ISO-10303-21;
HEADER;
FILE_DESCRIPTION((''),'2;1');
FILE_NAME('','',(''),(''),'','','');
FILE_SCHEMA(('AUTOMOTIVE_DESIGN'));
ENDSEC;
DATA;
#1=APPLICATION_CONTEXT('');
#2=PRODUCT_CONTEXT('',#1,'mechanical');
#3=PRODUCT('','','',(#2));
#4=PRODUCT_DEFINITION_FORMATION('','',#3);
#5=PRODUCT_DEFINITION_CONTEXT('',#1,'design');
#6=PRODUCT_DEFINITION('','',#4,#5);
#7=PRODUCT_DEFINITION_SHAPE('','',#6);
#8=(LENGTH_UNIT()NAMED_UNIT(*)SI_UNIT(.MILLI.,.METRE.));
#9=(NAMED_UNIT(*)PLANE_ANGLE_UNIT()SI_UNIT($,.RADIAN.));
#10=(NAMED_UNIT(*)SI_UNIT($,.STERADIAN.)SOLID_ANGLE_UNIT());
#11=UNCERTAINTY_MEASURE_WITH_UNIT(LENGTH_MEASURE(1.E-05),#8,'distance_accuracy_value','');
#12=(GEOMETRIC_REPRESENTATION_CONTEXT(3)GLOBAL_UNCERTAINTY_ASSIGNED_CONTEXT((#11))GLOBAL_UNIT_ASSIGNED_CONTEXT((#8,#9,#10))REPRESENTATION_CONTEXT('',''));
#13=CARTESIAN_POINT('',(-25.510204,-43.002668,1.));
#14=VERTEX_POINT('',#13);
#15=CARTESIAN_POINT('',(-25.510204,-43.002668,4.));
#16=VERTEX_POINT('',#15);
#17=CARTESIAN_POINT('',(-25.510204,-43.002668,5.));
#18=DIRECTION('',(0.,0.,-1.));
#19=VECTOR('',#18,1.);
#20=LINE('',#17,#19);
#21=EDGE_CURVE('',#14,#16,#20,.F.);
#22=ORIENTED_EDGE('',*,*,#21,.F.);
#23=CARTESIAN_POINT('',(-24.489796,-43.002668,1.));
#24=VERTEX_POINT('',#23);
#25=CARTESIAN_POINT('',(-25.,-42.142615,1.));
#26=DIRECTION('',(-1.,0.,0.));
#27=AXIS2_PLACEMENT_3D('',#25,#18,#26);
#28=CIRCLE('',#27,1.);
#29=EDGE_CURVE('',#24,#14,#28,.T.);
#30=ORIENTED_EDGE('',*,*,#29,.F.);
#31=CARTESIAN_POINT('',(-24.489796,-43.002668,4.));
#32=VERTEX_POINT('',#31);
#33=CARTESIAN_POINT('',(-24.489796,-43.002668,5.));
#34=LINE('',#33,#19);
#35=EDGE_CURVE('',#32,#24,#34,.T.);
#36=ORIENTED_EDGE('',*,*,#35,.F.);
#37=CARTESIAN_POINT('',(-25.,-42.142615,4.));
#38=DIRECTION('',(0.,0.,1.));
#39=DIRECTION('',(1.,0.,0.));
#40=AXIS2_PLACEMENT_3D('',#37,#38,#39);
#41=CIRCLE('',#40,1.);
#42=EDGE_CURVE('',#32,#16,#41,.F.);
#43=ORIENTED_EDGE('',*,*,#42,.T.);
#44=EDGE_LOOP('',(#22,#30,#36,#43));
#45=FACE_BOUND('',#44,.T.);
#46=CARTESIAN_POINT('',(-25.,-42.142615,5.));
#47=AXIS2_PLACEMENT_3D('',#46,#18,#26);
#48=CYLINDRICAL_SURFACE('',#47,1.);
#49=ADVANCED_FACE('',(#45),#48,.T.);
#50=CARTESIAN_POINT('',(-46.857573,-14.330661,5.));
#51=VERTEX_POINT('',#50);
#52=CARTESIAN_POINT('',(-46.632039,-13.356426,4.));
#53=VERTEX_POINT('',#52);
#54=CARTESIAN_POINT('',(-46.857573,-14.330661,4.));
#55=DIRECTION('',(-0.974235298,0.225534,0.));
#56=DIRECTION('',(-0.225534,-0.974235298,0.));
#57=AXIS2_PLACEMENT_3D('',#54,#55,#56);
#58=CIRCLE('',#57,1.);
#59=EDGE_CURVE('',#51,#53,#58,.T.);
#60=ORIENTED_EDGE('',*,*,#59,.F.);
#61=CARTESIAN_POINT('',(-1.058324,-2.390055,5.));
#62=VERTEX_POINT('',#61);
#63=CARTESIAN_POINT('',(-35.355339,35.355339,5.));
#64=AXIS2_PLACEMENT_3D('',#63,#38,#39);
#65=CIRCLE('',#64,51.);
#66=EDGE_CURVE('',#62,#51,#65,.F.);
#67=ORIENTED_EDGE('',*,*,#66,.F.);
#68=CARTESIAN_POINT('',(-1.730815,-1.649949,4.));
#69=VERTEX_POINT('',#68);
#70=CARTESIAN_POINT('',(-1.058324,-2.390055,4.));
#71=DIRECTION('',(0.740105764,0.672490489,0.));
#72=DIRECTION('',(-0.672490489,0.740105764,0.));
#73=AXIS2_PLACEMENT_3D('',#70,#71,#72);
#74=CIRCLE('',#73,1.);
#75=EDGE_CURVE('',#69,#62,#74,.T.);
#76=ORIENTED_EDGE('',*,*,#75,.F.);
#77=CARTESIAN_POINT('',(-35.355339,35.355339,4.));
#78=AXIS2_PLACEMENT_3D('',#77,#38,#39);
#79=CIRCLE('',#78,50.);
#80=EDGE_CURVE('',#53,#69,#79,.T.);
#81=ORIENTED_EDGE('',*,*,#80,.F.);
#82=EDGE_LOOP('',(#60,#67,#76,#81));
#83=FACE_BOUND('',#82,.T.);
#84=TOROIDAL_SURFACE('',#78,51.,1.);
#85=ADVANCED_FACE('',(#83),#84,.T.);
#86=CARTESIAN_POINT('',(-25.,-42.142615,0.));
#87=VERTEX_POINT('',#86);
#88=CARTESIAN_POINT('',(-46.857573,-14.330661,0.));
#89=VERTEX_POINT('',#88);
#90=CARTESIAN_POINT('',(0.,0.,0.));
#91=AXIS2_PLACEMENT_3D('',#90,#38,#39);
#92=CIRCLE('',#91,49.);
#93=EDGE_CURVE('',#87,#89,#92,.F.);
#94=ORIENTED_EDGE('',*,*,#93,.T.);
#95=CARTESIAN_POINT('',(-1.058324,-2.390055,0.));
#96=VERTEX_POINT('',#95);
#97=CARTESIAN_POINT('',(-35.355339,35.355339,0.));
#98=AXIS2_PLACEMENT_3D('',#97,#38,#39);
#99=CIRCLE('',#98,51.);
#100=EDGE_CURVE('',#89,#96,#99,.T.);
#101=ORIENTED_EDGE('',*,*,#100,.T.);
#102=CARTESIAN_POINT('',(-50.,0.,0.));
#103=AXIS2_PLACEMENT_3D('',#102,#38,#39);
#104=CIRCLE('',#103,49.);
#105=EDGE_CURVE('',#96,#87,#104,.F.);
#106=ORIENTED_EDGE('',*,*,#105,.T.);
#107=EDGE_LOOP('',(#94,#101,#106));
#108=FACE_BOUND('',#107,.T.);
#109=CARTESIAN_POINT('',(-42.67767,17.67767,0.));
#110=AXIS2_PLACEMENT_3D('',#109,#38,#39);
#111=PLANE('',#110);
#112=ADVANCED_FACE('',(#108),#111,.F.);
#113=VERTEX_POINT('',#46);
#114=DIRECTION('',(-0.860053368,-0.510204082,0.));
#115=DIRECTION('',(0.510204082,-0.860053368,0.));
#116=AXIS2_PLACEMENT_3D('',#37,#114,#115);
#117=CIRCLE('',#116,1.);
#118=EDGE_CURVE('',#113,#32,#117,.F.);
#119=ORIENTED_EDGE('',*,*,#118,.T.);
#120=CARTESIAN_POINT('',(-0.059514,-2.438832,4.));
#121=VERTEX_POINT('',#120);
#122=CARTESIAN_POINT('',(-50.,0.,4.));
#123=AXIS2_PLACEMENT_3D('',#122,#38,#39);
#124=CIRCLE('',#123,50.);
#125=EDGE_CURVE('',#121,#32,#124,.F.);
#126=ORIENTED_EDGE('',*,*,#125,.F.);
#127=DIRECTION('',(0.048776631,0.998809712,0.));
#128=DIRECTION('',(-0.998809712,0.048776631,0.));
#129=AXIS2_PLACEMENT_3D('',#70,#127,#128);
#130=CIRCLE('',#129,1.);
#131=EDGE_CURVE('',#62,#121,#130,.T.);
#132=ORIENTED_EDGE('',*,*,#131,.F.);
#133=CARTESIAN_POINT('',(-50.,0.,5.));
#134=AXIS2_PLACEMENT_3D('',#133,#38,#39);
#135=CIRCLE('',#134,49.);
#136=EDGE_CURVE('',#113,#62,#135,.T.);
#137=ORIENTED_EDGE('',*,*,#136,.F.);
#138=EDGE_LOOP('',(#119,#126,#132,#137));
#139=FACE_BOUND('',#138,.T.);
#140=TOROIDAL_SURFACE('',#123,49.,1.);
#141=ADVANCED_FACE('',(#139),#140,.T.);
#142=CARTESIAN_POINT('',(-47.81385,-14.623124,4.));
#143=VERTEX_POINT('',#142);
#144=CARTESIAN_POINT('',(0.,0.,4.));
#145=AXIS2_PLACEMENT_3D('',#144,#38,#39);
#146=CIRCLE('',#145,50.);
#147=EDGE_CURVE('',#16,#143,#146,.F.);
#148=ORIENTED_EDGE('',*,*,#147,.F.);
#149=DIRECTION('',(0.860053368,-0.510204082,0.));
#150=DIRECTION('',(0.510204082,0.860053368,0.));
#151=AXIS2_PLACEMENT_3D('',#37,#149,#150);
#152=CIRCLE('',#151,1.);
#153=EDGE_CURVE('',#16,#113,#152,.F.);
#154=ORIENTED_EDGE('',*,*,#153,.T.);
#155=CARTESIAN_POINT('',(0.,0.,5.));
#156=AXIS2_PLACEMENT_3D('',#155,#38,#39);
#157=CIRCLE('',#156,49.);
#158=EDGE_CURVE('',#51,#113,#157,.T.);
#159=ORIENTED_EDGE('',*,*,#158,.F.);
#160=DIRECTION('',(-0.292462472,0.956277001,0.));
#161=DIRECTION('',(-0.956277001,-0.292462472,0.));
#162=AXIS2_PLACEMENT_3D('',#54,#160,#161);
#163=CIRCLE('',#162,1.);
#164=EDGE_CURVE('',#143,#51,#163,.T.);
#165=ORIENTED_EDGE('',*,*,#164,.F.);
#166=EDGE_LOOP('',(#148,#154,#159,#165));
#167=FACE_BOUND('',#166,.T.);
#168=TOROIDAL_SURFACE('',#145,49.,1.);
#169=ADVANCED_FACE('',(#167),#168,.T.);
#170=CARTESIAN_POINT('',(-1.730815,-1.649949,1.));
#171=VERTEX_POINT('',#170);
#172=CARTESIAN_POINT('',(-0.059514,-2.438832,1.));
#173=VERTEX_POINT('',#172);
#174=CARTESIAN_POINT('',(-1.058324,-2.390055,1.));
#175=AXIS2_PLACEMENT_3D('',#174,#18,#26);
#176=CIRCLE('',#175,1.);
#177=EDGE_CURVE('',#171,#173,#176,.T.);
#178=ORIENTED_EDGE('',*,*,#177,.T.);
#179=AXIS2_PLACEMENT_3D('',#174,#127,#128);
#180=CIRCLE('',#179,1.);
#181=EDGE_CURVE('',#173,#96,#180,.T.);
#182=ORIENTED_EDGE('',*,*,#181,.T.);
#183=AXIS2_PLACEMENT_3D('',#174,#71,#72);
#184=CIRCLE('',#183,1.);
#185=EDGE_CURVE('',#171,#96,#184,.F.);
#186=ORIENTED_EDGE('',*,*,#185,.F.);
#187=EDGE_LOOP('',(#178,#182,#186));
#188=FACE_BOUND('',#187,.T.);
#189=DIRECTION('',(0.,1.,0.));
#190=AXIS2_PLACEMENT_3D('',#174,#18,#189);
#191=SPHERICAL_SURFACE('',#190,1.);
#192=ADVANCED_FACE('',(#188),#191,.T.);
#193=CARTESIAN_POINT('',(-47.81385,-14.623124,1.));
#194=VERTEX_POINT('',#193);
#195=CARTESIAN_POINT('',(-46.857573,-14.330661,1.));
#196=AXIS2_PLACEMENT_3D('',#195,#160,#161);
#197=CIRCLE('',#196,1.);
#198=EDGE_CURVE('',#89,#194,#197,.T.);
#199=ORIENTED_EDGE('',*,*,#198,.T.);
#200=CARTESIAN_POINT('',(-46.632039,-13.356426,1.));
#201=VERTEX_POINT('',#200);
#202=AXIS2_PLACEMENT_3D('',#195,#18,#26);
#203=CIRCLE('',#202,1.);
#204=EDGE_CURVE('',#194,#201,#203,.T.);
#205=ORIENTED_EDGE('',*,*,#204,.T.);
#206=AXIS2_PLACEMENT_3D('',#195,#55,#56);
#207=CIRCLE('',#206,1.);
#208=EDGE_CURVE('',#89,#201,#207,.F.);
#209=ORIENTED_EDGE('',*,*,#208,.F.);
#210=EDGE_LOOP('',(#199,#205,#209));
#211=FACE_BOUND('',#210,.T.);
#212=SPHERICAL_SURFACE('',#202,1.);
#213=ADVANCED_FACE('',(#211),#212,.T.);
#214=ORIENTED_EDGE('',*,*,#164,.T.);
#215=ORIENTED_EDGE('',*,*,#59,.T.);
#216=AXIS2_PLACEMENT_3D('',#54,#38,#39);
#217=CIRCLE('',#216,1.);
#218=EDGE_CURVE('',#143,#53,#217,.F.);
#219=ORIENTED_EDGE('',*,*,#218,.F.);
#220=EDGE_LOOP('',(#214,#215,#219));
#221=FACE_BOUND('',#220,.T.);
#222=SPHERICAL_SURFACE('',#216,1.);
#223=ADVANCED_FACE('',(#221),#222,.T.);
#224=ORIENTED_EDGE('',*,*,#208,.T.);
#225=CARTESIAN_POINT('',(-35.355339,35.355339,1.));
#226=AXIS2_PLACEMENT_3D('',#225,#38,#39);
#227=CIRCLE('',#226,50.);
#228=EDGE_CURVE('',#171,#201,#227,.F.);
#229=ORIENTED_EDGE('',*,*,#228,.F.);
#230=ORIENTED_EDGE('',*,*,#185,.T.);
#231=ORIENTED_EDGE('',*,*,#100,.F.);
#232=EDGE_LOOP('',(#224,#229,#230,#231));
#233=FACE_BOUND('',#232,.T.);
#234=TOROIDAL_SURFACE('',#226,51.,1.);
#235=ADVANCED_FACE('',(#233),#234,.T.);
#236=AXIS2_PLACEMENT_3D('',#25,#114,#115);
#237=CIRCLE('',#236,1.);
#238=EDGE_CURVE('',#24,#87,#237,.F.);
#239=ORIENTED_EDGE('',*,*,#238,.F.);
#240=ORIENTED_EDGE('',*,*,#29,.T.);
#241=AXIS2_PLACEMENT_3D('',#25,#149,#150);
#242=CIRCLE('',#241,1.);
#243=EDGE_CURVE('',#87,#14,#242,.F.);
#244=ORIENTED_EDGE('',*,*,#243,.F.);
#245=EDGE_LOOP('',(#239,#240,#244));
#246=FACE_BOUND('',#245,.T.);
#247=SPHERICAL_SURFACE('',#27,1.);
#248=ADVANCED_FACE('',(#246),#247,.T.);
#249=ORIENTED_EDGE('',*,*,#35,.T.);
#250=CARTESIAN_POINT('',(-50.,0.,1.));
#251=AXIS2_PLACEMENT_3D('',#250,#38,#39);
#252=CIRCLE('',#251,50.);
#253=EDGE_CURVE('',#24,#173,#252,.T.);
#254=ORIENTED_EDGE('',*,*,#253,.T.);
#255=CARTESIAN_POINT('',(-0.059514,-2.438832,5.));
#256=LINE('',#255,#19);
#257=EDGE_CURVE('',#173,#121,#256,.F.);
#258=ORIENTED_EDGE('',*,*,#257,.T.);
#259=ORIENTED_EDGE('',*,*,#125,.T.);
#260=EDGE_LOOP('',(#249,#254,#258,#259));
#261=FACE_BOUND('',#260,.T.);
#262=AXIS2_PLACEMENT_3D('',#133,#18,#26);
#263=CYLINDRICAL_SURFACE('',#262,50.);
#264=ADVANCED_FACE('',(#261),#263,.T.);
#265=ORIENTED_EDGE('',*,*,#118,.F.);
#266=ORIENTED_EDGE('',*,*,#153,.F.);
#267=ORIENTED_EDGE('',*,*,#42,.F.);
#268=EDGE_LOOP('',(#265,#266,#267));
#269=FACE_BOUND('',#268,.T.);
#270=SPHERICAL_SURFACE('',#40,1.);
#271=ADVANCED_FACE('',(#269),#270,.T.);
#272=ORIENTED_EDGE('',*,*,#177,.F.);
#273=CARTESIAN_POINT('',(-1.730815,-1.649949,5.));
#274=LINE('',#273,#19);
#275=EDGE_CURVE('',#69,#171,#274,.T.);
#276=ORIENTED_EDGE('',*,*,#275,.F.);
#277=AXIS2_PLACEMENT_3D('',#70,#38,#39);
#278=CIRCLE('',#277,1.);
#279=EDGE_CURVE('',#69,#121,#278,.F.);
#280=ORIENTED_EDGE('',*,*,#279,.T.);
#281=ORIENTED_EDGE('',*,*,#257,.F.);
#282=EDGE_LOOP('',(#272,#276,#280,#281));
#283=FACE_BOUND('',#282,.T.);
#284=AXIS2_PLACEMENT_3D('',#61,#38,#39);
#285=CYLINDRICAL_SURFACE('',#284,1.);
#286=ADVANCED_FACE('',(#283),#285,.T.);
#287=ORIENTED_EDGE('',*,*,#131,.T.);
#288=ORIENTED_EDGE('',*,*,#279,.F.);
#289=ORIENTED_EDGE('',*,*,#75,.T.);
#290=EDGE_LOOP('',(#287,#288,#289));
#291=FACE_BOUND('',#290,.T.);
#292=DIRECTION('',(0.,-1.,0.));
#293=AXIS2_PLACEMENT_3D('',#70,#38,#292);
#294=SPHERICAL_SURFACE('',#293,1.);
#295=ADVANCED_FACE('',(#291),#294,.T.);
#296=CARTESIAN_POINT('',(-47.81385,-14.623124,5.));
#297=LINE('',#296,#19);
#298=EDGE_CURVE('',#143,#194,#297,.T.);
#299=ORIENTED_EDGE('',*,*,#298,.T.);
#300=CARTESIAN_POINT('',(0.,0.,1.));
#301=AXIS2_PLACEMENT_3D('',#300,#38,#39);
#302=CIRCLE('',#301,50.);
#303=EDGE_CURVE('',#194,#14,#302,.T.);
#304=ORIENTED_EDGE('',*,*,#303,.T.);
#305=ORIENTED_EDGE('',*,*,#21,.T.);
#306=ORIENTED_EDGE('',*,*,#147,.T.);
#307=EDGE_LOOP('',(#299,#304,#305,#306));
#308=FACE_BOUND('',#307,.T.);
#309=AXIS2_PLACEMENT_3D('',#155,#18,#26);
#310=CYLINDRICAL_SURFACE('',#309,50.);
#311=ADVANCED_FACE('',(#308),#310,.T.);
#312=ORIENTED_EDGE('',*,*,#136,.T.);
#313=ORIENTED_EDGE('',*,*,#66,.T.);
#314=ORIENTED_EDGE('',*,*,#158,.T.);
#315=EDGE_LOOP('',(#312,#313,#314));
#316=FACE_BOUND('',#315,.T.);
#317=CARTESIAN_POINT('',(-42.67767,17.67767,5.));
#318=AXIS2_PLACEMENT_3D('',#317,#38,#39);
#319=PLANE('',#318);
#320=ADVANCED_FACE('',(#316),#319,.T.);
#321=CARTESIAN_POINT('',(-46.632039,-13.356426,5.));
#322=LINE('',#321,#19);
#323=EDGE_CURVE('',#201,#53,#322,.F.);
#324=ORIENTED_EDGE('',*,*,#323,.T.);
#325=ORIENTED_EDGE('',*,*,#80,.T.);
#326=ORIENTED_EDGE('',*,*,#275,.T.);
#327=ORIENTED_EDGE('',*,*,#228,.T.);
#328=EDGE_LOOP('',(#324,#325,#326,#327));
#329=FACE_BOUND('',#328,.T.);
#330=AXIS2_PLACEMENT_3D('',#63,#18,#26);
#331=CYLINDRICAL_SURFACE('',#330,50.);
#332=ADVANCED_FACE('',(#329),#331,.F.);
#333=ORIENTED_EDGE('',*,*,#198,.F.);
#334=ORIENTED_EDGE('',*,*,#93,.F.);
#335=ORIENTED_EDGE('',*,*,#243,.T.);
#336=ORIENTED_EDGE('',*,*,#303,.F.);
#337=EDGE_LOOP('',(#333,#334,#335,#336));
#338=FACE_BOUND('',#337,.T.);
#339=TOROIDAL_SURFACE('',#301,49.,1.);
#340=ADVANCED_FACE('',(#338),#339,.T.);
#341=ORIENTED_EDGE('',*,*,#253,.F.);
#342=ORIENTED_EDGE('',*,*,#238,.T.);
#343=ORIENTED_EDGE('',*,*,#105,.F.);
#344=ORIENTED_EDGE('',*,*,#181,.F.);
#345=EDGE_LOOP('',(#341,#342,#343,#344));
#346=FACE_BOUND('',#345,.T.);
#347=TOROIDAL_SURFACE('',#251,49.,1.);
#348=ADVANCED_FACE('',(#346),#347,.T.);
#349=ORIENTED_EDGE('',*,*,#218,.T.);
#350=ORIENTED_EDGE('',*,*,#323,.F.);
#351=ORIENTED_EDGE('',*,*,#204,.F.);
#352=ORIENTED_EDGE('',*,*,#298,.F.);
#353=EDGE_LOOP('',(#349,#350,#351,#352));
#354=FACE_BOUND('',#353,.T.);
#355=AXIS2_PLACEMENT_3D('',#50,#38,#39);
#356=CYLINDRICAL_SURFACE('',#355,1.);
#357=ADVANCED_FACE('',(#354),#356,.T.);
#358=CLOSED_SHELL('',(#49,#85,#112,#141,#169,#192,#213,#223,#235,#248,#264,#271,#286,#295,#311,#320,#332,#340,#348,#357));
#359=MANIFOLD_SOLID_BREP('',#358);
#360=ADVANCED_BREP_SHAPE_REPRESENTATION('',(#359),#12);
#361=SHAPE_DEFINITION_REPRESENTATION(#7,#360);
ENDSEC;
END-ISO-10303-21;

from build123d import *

# Parameters (mm, degrees)
ESTRUSIONE_ESTRUSIONE1_DEPTH = 5
RACCORDO1_R                  = 1


with BuildPart() as part:
    # Schizzo1 → Estrusione-Estrusione1 (new body)
    with BuildSketch(Plane.XY):
        with BuildLine():
            ThreePointArc((-48.296291314, -12.940952255), (-39.667667015, -30.43807145), (-25, -43.301270189))
            ThreePointArc((-25, -43.301270189), (-6.698729811, -25), (0, 0))
            ThreePointArc((0, 0), (-22.414386804, -12.940952255), (-48.296291314, -12.940952255))
        make_face()
    extrude(amount=ESTRUSIONE_ESTRUSIONE1_DEPTH)

    # Raccordo1
    raccordo1_edges = [part.edges().sort_by_distance(p)[0] for p in [
        (-39.667667015, -30.43807145, 5),
        (-39.667667015, -30.43807145, 0),
        (-22.414386804, -12.940952255, 0),
        (-6.698729811, -25, 0),
        (-6.698729811, -25, 5),
        (-25, -43.301270189, 2.5),
        (-48.296291314, -12.940952255, 2.5),
        (0, 0, 2.5),
        (-22.414386804, -12.940952255, 5),
    ]]
    fillet(raccordo1_edges, radius=RACCORDO1_R)


solid = part.part
